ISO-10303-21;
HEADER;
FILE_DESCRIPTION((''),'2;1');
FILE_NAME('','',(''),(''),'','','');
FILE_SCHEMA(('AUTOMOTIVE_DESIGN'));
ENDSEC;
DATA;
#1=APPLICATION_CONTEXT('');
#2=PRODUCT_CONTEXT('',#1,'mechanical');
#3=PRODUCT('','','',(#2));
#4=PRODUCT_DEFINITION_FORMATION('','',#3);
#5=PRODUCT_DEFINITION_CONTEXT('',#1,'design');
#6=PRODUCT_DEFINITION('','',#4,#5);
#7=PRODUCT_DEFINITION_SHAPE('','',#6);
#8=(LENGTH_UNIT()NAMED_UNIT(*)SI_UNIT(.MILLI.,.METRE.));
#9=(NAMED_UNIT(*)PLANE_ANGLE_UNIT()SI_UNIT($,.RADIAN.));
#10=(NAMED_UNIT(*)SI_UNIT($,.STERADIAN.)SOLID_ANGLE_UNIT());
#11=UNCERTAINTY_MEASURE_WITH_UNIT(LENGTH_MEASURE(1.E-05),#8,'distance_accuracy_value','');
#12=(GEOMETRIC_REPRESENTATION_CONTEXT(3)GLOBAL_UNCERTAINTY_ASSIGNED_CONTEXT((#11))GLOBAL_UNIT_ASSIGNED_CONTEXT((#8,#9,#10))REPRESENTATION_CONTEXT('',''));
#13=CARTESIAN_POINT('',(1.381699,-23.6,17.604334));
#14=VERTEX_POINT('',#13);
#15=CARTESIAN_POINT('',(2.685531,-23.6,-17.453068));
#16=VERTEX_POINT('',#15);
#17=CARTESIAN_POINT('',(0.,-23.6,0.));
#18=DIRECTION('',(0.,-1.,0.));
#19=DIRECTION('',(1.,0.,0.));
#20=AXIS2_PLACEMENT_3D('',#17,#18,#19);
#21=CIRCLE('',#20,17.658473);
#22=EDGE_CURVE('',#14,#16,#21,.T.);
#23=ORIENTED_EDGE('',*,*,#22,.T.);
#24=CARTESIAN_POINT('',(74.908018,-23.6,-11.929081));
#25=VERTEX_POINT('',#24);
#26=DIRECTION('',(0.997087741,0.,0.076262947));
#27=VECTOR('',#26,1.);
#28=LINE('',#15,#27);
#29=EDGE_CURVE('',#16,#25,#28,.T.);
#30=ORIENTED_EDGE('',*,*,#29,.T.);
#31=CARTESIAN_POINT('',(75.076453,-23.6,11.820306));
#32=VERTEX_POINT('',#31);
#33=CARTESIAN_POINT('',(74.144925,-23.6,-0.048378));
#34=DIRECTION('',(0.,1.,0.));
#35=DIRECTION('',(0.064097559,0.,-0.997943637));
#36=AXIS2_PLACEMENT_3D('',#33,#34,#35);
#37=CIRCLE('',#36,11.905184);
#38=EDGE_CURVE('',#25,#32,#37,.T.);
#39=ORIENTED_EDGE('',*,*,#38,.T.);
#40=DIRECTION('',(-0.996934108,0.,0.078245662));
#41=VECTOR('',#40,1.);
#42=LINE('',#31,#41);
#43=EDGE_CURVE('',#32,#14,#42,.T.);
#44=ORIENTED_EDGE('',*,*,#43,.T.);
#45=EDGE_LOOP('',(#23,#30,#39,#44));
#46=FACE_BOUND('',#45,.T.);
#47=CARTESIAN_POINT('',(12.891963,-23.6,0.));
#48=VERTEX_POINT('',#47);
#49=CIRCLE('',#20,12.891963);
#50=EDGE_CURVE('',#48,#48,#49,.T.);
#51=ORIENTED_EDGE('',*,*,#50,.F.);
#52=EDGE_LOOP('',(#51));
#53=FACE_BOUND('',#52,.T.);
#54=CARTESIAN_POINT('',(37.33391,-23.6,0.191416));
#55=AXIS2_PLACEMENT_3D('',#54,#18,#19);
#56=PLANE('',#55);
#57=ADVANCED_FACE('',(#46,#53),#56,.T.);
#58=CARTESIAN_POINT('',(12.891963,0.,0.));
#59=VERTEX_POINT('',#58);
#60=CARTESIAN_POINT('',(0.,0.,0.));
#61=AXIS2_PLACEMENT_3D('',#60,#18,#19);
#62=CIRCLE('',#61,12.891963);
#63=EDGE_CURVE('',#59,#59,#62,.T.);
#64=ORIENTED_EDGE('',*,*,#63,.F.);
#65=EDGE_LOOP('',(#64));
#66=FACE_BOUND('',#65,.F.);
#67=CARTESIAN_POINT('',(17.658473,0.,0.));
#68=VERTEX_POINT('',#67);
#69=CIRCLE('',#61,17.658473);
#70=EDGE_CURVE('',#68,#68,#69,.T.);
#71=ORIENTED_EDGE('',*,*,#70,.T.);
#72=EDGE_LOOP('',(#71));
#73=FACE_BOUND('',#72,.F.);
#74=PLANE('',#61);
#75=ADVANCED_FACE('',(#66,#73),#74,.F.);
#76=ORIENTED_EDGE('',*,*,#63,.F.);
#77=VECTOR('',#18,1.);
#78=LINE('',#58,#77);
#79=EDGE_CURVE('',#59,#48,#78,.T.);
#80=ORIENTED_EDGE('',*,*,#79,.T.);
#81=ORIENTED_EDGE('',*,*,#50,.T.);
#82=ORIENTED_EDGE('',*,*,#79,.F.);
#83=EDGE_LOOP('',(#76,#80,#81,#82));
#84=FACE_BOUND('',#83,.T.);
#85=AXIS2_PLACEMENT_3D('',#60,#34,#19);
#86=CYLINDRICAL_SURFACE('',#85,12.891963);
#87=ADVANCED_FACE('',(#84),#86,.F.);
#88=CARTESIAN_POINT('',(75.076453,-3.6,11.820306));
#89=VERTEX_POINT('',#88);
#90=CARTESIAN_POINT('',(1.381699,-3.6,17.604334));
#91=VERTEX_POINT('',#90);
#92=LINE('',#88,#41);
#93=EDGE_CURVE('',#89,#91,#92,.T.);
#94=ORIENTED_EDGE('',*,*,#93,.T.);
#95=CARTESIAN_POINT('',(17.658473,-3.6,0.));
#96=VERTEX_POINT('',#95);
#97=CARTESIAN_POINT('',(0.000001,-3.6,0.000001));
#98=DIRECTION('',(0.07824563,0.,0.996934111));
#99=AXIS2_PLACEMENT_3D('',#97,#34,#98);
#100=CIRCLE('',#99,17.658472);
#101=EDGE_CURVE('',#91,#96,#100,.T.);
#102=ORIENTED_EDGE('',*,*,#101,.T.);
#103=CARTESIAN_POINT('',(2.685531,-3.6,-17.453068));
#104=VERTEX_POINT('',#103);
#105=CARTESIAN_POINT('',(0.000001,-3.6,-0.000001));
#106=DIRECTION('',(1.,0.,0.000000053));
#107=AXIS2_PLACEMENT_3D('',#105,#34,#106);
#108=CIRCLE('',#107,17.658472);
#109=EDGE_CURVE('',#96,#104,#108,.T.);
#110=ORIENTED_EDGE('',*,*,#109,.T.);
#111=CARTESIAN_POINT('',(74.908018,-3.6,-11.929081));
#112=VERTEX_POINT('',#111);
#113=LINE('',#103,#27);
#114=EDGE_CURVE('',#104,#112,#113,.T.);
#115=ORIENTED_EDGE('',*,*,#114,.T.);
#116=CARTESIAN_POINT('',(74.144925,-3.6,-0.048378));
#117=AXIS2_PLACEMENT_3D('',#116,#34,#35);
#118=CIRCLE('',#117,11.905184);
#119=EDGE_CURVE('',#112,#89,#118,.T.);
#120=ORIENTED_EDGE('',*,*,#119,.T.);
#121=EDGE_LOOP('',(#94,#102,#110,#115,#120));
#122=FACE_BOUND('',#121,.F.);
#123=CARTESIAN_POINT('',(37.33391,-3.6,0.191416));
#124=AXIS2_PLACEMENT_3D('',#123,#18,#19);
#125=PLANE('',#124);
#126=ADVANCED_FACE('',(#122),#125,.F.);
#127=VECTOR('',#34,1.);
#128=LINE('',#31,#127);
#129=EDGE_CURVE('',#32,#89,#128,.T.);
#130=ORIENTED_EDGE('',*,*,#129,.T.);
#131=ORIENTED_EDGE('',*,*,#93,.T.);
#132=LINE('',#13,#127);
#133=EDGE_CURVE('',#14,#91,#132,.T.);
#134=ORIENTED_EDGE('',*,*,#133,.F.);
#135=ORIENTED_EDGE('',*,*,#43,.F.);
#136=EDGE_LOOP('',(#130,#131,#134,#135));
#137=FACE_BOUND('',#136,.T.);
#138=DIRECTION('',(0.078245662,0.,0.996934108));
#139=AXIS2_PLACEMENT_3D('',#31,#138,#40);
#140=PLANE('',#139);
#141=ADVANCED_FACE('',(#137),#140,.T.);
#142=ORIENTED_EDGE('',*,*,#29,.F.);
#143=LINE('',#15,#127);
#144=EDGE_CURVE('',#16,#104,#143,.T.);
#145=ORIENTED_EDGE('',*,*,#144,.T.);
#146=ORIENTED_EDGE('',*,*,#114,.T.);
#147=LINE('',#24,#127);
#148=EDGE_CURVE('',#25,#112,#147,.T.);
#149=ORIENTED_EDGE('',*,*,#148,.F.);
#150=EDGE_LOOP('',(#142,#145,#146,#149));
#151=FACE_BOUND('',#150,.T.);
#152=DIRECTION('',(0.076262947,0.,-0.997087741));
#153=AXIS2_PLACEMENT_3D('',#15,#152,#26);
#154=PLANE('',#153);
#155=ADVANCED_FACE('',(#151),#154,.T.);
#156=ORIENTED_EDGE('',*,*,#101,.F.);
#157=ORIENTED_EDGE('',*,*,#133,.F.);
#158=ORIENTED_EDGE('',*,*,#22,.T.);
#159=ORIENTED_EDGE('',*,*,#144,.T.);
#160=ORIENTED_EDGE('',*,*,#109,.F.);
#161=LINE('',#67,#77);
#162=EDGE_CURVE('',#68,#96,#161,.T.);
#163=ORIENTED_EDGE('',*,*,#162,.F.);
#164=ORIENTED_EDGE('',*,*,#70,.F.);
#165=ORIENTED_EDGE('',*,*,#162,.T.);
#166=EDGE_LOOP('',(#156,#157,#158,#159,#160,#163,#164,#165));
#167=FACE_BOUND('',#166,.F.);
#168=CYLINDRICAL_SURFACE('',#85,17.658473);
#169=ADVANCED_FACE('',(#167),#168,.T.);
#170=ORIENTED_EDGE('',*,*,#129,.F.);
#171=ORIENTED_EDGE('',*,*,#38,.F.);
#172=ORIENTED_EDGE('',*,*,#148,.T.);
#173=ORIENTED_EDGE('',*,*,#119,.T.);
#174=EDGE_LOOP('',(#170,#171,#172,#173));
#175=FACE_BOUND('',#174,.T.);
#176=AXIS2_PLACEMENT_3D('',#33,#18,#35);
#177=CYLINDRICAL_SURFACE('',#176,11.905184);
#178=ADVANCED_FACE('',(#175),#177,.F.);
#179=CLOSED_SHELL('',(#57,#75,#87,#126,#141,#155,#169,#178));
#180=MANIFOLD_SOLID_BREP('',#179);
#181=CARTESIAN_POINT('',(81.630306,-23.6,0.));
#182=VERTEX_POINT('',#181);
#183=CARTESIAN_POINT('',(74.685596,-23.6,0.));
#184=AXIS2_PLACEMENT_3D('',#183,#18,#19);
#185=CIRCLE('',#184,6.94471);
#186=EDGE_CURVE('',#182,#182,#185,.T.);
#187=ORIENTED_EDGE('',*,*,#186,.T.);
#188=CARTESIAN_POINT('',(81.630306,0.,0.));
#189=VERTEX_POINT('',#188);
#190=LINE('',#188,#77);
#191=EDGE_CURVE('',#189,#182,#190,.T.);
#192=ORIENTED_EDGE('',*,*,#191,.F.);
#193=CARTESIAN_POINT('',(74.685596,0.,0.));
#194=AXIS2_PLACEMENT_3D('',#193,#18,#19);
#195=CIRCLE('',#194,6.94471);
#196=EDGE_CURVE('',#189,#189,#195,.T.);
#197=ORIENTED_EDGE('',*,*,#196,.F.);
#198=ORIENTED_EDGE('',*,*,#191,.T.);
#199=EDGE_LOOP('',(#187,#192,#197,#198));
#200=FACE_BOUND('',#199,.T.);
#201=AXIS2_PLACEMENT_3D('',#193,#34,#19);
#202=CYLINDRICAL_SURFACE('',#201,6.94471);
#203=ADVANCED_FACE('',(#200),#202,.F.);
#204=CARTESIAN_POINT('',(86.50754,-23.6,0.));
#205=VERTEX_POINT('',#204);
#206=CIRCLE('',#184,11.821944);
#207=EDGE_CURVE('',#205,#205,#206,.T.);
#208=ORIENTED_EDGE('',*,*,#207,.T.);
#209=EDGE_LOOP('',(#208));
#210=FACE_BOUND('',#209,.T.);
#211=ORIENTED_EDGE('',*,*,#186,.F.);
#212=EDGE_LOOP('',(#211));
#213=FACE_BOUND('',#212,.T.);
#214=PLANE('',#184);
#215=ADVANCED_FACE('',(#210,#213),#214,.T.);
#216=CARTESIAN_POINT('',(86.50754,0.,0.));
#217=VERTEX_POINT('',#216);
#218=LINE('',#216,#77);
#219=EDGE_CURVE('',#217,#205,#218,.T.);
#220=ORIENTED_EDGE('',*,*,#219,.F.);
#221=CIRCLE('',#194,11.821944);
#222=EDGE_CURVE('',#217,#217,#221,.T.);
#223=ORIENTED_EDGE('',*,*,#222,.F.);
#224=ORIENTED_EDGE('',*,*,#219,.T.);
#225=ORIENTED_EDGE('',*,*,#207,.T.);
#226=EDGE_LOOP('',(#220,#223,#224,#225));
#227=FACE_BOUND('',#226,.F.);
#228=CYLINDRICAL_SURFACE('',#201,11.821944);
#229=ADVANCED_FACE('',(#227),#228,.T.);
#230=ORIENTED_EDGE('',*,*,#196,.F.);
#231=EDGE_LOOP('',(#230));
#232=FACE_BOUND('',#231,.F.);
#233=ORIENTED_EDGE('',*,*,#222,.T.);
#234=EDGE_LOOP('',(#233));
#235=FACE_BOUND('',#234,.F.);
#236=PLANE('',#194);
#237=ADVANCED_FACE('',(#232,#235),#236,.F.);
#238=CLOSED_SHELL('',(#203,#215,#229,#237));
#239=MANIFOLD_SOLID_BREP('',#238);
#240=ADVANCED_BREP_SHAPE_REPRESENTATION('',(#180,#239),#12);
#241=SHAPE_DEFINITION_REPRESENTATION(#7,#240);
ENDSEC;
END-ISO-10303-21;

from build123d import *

# Parameters (mm, degrees)
F0_R     = 11.821944
F0_R_2   = 6.94471
F0_R_3   = 17.658473
F0_R_4   = 12.891963
F1_DEPTH = 23.6
F3_DEPTH = 20


with BuildPart() as f1:
    # F0 (on Front) → F1 (new body)
    with BuildSketch(Plane.XZ):
        with Locations((74.685596, 0)):
            Circle(F0_R)
        with Locations((74.685596, 0)):
            Circle(F0_R_2, mode=Mode.SUBTRACT)
        Circle(F0_R_3)
        Circle(F0_R_4, mode=Mode.SUBTRACT)
    extrude(amount=F1_DEPTH)

    # F2 (on face) → F3 (join)
    with BuildSketch(Plane.XZ.offset(23.6)):
        with BuildLine():
            ThreePointArc((74.908018, -11.929081), (62.24004, 0.036054), (75.076453, 11.820306))
            Line((75.076453, 11.820306), (1.381699, 17.604334))
            ThreePointArc((1.381699, 17.604334), (12.965731, 11.987973), (17.658473, 0))
            ThreePointArc((17.658473, 0), (13.402314, -11.497811), (2.685531, -17.453068))
            Line((2.685531, -17.453068), (74.908018, -11.929081))
        make_face()
    extrude(amount=-F3_DEPTH)


solid = f1.part
